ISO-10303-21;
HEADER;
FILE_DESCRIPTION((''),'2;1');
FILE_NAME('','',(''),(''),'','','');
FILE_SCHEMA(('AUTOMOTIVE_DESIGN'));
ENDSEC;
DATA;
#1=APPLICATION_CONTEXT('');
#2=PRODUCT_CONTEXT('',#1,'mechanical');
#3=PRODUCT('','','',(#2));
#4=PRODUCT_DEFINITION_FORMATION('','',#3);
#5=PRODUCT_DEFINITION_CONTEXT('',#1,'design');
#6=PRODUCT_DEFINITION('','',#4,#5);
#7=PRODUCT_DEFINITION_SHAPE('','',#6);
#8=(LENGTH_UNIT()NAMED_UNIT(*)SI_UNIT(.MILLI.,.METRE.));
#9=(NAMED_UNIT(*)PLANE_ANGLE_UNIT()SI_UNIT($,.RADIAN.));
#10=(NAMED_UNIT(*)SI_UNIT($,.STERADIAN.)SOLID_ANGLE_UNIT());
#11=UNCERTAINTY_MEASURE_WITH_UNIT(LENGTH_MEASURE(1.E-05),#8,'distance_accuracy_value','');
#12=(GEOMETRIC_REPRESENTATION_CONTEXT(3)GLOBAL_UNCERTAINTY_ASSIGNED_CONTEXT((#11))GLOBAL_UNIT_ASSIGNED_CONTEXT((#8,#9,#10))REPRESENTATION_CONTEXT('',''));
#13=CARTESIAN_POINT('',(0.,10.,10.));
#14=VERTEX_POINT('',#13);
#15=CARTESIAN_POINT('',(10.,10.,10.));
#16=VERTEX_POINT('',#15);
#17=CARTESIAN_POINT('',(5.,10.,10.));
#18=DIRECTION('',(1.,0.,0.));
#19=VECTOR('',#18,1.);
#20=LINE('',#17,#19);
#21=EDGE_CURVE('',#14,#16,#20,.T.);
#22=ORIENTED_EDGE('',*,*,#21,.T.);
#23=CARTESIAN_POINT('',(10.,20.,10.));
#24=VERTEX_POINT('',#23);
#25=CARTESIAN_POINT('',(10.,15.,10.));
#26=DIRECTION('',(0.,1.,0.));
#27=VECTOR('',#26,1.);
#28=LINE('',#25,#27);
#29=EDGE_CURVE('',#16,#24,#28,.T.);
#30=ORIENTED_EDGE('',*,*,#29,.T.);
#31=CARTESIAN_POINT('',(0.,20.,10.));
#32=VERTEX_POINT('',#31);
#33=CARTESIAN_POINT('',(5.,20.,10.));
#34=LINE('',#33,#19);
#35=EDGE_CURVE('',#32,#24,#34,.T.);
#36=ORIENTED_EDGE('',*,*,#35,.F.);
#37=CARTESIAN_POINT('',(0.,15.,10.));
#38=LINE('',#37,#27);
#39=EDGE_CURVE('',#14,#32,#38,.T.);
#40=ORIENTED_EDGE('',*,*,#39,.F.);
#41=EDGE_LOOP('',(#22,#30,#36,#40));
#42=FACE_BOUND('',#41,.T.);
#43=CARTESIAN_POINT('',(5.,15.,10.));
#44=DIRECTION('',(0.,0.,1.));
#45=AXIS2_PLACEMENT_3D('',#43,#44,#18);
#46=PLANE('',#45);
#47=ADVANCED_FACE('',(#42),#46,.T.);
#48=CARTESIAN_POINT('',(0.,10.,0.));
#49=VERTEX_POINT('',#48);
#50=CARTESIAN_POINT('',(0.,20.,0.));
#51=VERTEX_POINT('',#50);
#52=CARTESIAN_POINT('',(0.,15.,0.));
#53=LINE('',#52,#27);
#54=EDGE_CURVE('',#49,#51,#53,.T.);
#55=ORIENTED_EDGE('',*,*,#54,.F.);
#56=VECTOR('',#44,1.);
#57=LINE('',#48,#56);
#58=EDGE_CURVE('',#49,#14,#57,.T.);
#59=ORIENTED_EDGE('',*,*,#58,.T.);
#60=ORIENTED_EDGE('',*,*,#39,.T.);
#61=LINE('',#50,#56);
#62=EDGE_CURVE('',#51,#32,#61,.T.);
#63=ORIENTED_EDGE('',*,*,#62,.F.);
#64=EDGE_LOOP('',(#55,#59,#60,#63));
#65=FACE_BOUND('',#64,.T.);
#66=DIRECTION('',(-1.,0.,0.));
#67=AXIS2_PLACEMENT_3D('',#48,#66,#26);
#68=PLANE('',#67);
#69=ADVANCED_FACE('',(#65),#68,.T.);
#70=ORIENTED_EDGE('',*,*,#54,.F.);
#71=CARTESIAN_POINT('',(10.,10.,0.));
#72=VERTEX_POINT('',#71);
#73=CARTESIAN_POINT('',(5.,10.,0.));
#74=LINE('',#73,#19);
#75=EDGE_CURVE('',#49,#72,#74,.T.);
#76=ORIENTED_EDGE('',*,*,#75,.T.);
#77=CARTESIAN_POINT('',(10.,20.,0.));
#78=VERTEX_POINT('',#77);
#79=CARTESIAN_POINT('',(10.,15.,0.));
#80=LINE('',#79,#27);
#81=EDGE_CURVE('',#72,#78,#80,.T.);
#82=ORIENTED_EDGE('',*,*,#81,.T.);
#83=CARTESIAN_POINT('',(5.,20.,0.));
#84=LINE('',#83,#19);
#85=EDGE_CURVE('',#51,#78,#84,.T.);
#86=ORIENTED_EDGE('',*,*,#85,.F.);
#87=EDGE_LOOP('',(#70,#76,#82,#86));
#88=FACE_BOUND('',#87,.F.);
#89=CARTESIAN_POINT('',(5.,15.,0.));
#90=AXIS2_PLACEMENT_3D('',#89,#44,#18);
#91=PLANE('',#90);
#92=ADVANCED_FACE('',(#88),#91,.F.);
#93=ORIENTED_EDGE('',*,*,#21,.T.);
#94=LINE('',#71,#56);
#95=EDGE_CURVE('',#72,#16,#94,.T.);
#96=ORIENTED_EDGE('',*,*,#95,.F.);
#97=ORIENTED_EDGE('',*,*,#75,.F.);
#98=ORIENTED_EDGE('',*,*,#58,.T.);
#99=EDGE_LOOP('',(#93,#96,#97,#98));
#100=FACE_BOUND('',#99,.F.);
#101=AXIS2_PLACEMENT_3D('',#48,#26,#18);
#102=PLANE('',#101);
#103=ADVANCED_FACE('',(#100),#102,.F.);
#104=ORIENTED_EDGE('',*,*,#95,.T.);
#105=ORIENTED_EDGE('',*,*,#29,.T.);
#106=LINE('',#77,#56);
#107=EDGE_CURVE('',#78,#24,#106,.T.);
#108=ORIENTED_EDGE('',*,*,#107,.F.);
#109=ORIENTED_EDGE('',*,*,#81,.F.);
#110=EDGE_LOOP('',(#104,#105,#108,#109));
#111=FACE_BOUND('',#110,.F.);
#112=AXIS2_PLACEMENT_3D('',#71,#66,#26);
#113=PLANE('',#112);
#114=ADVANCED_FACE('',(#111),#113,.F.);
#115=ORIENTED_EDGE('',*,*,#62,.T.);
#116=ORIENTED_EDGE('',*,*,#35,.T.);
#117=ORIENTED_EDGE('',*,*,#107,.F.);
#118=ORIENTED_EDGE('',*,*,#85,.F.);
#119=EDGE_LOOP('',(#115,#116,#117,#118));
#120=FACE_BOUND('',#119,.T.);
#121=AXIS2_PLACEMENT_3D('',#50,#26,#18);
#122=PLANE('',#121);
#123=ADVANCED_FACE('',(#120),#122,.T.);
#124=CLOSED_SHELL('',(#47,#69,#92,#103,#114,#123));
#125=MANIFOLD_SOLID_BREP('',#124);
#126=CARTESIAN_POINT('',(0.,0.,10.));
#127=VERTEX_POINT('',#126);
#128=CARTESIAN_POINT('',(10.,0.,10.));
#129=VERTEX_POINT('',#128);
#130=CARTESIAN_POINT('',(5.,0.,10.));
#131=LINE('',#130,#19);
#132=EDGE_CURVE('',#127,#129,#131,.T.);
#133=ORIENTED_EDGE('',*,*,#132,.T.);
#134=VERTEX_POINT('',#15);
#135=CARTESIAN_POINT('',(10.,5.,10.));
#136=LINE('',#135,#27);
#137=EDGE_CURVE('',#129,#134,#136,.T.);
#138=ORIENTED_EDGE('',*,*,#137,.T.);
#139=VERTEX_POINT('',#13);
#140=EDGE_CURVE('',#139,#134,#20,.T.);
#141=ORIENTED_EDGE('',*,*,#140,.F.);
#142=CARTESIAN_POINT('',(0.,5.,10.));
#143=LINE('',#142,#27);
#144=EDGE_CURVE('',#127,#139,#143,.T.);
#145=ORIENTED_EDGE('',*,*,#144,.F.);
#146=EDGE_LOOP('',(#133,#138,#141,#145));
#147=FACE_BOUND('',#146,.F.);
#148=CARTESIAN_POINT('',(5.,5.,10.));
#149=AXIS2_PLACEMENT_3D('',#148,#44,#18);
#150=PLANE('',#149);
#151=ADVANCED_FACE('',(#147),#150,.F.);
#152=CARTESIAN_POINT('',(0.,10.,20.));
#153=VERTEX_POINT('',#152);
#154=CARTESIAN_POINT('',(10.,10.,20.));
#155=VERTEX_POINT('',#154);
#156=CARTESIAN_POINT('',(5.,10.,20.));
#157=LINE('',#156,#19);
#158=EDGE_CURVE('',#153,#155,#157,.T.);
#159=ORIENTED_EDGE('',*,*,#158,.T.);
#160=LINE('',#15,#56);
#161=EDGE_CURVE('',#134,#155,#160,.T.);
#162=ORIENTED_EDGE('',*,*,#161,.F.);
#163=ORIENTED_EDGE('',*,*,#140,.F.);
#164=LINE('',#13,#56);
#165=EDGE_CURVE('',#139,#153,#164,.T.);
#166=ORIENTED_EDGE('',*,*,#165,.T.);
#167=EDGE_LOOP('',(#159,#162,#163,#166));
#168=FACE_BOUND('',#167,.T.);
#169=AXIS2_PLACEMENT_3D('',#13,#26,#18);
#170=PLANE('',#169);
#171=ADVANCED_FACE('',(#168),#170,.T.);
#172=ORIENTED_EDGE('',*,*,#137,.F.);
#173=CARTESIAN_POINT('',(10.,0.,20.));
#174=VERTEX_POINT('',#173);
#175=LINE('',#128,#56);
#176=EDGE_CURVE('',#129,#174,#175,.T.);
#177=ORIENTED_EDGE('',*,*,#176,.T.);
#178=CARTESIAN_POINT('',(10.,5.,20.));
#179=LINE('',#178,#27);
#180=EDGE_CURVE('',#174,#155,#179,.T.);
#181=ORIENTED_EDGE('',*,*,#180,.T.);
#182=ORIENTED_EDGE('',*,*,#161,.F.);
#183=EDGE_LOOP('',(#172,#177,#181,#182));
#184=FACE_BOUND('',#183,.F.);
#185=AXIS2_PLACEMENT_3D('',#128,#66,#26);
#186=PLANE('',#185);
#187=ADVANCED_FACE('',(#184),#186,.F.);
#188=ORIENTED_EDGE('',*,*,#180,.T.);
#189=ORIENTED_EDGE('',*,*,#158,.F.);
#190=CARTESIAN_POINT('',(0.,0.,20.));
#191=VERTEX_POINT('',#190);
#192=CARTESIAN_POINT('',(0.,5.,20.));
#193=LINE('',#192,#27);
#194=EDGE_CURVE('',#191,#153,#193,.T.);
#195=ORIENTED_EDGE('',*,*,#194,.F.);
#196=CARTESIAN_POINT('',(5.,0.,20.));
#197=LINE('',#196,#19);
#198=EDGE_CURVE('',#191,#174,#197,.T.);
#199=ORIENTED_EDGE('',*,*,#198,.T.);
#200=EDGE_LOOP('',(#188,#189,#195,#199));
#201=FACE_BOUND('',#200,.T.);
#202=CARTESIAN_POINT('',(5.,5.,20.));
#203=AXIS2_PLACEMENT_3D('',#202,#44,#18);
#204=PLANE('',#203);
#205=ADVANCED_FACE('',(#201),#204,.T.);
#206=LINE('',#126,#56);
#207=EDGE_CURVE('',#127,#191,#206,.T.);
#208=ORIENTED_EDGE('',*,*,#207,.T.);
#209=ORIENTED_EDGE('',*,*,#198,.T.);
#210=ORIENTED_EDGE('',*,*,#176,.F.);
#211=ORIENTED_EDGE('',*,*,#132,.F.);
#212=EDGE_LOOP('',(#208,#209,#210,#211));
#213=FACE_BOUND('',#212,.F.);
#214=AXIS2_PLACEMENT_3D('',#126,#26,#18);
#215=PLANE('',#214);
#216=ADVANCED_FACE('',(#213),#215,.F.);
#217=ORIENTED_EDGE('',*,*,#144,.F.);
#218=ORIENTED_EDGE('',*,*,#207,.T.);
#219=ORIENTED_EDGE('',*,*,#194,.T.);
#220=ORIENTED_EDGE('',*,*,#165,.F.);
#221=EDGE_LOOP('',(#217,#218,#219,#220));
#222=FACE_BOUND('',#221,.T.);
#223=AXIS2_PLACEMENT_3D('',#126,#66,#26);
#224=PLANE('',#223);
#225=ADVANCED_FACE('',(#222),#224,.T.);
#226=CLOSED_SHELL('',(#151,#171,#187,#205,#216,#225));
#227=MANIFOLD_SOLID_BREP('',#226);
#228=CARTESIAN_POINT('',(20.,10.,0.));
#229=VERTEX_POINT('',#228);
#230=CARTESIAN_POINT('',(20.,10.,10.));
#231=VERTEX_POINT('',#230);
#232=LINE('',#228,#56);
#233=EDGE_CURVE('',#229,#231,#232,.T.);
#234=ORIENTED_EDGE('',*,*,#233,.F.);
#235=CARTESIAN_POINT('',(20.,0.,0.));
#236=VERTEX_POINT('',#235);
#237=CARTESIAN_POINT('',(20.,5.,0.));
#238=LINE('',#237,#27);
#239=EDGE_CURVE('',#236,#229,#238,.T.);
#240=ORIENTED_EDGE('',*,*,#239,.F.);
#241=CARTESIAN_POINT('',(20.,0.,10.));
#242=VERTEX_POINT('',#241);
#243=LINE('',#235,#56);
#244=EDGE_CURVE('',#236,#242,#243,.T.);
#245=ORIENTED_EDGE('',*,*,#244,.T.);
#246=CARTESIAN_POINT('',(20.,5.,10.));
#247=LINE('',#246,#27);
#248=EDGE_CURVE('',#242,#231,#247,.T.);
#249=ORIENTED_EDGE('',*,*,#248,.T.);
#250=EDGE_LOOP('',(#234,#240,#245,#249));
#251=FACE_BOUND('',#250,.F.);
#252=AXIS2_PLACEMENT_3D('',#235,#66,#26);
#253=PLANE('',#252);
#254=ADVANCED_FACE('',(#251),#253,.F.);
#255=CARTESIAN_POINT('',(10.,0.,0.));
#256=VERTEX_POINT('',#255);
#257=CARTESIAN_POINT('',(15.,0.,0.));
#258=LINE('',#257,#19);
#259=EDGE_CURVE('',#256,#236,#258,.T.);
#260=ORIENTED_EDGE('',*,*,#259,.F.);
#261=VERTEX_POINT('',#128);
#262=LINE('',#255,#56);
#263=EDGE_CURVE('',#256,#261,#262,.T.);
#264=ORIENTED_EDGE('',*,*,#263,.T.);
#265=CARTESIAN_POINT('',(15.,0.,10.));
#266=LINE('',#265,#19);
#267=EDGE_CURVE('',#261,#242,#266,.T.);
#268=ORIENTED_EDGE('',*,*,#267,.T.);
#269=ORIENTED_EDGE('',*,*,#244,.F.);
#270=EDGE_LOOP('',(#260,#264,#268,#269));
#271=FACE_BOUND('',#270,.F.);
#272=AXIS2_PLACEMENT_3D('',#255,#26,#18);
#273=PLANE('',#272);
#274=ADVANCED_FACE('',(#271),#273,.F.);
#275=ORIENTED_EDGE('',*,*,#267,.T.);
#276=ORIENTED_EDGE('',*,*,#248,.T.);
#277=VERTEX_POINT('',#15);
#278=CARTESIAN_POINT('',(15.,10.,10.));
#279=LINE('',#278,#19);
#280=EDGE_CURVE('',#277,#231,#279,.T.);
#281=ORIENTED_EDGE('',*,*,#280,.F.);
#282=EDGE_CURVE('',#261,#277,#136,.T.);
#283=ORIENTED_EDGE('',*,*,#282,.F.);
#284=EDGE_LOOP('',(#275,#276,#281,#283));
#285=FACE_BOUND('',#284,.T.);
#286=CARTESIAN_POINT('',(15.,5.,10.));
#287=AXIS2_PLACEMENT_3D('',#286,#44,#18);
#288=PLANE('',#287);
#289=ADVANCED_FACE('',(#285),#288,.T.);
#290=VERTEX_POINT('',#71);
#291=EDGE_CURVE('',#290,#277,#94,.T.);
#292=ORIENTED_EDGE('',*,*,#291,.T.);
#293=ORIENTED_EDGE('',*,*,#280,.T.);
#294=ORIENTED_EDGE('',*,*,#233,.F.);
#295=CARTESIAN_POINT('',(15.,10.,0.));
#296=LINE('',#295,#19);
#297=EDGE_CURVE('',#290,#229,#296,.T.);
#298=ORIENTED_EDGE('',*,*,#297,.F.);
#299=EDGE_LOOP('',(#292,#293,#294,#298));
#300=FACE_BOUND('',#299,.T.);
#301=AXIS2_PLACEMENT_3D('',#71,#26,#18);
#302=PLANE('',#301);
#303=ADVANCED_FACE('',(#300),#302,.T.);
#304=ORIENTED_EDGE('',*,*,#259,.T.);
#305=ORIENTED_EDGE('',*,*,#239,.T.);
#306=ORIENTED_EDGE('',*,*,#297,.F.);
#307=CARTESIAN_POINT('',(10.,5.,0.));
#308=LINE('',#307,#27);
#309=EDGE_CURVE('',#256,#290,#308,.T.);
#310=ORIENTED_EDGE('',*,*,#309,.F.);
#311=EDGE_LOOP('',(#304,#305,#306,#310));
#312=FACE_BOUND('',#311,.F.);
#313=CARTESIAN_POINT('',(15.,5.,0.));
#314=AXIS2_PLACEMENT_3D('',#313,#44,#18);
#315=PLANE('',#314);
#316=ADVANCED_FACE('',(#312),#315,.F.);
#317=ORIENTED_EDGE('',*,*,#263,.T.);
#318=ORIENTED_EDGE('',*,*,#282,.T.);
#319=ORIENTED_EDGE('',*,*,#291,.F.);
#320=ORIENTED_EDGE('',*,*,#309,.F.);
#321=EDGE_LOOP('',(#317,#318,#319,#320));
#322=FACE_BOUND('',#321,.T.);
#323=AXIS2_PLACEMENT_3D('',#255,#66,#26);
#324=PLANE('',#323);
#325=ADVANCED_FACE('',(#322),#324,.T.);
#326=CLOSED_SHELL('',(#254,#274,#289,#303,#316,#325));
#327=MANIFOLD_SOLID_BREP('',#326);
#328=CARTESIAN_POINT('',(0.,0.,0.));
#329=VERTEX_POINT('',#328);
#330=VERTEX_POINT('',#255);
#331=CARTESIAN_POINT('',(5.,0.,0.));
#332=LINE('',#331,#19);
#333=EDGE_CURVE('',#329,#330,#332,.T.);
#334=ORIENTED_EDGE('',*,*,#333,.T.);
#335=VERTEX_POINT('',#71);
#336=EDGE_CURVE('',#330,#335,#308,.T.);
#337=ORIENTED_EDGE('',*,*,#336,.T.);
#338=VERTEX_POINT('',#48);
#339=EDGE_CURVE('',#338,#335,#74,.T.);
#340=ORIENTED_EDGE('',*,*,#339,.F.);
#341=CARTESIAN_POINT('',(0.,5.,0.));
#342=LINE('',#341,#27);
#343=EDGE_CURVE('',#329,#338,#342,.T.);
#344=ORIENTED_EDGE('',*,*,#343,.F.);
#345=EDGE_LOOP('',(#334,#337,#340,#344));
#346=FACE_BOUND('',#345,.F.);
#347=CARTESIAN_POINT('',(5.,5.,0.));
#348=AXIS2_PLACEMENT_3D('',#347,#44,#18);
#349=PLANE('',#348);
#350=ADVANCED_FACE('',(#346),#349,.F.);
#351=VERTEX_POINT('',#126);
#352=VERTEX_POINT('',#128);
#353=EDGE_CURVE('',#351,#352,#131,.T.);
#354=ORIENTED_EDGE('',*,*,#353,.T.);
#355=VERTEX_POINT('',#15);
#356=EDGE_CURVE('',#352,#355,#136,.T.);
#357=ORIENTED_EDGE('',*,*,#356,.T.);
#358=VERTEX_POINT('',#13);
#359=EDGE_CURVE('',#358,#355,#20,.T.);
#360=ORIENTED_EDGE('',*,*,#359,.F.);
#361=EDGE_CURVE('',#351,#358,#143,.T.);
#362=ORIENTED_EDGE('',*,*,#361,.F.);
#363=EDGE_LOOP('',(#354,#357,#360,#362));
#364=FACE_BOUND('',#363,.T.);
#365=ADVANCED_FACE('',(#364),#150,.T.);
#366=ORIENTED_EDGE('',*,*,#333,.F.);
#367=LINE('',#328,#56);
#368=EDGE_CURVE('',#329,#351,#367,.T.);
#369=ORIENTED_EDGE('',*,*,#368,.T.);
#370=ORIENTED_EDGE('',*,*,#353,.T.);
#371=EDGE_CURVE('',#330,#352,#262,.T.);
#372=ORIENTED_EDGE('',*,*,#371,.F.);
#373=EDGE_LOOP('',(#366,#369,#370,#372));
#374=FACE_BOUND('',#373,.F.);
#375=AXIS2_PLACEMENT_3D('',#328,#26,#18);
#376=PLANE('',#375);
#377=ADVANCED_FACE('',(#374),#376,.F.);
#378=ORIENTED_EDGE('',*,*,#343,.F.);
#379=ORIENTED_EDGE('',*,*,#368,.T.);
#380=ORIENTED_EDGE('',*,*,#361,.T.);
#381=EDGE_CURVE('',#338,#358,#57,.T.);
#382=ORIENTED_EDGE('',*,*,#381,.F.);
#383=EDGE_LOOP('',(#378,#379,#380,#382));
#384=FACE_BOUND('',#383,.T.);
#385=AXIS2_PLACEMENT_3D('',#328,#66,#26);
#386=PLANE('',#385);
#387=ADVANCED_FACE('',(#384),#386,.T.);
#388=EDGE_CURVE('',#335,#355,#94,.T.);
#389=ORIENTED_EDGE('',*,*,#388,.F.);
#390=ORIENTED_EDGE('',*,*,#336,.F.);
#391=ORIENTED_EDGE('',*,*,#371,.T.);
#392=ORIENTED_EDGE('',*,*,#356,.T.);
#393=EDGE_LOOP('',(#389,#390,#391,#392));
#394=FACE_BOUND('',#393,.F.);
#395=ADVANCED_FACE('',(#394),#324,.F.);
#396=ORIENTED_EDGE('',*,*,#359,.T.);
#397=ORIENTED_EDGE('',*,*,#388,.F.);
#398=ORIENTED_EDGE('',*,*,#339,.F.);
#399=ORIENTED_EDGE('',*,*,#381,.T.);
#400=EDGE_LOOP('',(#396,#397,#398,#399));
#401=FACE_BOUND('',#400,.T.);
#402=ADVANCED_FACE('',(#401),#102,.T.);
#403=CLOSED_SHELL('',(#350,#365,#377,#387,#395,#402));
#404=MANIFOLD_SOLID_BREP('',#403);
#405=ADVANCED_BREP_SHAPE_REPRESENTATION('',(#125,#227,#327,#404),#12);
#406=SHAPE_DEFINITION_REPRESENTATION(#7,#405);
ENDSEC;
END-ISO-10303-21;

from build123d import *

# Parameters (mm, degrees)
BOX_W        = 10
BOX_H        = 10
BOX_DEPTH    = 10
BOX001_W     = 10
BOX001_H     = 10
BOX001_DEPTH = 10
BOX003_W     = 10
BOX003_H     = 10
BOX003_DEPTH = 10
BOX004_W     = 10
BOX004_H     = 10
BOX004_DEPTH = 10


with BuildPart() as cub:
    # Box → Box (new body)
    with BuildSketch(Plane.XY):
        with Locations((5, 5)):
            Rectangle(BOX_W, BOX_H)
    extrude(amount=BOX_DEPTH)


with BuildPart() as cub001:
    # Box001 → Box001 (new body)
    with BuildSketch(Plane.XY.offset(10)):
        with Locations((5, 5)):
            Rectangle(BOX001_W, BOX001_H)
    extrude(amount=BOX001_DEPTH)


with BuildPart() as cub003:
    # Box003 → Box003 (new body)
    with BuildSketch(Plane(origin=(0, 10, 0), x_dir=(1, 0, 0), z_dir=(0, 0, 1))):
        with Locations((5, 5)):
            Rectangle(BOX003_W, BOX003_H)
    extrude(amount=BOX003_DEPTH)


with BuildPart() as cub004:
    # Box004 → Box004 (new body)
    with BuildSketch(Plane(origin=(10, 0, 0), x_dir=(1, 0, 0), z_dir=(0, 0, 1))):
        with Locations((5, 5)):
            Rectangle(BOX004_W, BOX004_H)
    extrude(amount=BOX004_DEPTH)


solid = Compound([cub.part, cub001.part, cub003.part, cub004.part])
